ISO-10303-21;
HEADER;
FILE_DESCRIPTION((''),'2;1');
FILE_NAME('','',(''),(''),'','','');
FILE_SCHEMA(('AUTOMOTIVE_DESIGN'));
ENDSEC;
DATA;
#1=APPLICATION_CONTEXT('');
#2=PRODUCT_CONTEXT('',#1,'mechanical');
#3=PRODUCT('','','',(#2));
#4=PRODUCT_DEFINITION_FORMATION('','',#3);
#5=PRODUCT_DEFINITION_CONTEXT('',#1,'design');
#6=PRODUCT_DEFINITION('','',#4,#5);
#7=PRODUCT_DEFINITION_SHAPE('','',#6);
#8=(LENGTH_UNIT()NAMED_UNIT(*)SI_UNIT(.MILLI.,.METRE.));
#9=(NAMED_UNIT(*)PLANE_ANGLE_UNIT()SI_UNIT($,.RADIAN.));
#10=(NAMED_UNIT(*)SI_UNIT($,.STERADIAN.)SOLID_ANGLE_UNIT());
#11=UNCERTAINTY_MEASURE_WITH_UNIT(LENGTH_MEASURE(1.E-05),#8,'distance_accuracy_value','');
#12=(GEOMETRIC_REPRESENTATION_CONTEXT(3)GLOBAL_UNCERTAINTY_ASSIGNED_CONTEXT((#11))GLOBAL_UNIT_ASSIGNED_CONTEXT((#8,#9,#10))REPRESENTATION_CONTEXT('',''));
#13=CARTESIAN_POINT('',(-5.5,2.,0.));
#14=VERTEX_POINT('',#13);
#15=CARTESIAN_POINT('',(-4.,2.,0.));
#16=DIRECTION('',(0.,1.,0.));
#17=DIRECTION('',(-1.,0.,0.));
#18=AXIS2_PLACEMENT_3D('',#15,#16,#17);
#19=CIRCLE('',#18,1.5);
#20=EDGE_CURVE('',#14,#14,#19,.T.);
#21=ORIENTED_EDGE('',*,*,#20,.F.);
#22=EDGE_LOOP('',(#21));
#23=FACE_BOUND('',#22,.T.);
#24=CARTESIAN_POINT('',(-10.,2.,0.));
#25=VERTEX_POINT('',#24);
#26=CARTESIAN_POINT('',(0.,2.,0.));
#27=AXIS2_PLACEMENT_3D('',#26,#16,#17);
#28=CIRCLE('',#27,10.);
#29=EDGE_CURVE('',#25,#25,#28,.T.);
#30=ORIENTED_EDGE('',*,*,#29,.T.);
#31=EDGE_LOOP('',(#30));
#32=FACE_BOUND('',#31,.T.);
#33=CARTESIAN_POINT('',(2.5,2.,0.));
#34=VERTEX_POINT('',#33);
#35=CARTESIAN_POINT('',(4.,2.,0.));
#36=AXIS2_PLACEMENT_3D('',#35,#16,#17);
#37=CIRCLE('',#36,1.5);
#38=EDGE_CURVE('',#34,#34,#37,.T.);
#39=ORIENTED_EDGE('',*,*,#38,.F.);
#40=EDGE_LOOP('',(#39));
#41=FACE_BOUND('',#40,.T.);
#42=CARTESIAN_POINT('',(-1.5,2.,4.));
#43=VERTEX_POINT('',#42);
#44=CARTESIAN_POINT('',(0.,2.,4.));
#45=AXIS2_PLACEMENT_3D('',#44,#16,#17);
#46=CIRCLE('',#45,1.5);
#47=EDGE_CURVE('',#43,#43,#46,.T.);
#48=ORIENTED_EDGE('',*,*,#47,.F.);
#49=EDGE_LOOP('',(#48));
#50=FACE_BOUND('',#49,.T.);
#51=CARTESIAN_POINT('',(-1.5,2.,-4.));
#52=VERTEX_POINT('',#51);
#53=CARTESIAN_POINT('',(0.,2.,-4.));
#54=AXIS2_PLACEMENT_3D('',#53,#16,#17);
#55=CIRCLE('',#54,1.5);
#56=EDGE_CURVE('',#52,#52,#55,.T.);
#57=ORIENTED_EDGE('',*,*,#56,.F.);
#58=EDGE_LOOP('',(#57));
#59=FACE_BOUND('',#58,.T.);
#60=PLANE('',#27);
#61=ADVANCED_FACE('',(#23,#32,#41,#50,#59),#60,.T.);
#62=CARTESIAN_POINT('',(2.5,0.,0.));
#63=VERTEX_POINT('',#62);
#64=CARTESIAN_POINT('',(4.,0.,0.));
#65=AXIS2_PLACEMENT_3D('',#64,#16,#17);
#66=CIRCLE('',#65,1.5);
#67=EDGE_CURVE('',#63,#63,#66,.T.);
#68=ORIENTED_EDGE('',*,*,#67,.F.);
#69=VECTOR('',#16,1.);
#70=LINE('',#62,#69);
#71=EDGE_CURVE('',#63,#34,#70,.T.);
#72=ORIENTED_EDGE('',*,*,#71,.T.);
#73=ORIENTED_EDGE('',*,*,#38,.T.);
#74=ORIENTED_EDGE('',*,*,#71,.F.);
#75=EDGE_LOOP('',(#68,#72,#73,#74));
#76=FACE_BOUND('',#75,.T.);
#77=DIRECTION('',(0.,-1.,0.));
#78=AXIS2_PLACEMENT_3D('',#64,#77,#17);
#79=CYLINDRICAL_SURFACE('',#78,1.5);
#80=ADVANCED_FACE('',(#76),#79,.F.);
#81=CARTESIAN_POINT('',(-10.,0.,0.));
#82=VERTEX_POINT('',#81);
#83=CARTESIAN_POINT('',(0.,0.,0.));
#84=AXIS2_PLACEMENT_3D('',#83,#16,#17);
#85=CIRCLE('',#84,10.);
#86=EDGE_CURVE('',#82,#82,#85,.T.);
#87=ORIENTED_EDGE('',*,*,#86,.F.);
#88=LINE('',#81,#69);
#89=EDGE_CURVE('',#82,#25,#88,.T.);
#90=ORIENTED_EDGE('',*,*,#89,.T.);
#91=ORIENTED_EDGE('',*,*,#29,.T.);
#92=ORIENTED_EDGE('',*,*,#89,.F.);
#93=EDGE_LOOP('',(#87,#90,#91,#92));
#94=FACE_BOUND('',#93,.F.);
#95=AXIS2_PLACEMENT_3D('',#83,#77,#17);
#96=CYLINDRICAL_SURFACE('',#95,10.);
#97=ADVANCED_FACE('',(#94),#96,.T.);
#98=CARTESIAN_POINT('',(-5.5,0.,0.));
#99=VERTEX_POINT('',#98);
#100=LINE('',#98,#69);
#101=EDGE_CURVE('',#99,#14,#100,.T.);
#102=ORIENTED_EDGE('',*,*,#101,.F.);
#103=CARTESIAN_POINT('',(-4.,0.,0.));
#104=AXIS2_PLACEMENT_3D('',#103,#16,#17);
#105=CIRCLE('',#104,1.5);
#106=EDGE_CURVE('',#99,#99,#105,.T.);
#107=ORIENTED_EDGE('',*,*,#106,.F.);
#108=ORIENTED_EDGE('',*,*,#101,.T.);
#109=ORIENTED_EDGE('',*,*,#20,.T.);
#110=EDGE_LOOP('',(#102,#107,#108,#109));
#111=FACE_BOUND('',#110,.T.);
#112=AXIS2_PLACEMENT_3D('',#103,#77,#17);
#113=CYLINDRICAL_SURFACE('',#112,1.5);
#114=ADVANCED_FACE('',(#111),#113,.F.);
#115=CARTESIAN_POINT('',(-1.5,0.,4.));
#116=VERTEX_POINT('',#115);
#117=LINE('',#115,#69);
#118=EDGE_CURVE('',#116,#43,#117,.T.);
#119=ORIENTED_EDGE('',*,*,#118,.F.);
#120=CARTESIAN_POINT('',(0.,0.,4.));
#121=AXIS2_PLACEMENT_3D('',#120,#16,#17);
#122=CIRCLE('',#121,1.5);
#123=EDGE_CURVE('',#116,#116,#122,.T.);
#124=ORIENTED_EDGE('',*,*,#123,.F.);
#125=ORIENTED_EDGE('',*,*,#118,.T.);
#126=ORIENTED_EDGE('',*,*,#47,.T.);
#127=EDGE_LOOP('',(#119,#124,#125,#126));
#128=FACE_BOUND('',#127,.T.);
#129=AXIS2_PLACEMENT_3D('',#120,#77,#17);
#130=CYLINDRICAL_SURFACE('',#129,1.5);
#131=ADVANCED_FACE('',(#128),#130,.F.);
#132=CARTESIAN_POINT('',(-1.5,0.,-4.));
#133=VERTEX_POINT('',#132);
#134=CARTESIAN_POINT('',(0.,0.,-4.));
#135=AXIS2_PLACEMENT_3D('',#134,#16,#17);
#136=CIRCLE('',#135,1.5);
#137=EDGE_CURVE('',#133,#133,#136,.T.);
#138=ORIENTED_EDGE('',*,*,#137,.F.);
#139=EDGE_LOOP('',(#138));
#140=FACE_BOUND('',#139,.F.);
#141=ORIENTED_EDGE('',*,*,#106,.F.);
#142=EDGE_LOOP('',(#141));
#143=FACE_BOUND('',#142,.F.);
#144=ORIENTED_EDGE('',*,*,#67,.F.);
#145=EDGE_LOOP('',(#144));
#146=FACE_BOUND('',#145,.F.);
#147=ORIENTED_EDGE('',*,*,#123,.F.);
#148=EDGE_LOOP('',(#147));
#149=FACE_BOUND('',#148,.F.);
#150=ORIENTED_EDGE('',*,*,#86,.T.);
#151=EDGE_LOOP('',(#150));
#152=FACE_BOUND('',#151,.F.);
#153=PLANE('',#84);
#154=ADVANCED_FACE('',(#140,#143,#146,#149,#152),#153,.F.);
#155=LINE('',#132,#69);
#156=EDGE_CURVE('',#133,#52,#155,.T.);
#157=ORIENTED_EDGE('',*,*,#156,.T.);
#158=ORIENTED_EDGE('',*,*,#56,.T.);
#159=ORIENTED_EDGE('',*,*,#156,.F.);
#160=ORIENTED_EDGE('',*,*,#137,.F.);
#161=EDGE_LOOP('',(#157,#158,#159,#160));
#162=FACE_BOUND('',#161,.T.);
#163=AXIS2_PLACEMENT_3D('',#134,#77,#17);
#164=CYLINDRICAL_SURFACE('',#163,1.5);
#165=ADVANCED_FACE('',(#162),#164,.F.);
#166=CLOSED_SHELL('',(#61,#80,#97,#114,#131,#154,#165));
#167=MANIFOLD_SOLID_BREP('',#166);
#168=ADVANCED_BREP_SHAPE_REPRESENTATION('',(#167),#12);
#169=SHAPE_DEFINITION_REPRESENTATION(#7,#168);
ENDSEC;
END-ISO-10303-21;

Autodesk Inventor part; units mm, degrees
ref_plane "YZ Plane" through (0, 0, 0) normal (1, 0, 0) x (0, 1, 0)
ref_plane "XZ Plane" through (0, 0, 0) normal (0, 1, 0) x (-1, 0, 0)
ref_plane "XY Plane" through (0, 0, 0) normal (0, 0, 1) x (1, 0, 0)
sketch "Sketch1" plane through (0, 0, 0) normal (0, 1, 0) x (-1, 0, 0)
  circle A0 centre (0, 0) radius 10
  circle A1 centre (4, 0) radius 1.5
  circle A2 centre (0, 4) radius 1.5
  circle A3 centre (-4, 0) radius 1.5
  circle A4 centre (0, -4) radius 1.5
  dimension "d0" = 20
  dimension "d2" = 3
  dimension "d5" = 360
extrude "Extrusion1" add sketch "Sketch1" along normal blind 2
properties part number "spacer"
